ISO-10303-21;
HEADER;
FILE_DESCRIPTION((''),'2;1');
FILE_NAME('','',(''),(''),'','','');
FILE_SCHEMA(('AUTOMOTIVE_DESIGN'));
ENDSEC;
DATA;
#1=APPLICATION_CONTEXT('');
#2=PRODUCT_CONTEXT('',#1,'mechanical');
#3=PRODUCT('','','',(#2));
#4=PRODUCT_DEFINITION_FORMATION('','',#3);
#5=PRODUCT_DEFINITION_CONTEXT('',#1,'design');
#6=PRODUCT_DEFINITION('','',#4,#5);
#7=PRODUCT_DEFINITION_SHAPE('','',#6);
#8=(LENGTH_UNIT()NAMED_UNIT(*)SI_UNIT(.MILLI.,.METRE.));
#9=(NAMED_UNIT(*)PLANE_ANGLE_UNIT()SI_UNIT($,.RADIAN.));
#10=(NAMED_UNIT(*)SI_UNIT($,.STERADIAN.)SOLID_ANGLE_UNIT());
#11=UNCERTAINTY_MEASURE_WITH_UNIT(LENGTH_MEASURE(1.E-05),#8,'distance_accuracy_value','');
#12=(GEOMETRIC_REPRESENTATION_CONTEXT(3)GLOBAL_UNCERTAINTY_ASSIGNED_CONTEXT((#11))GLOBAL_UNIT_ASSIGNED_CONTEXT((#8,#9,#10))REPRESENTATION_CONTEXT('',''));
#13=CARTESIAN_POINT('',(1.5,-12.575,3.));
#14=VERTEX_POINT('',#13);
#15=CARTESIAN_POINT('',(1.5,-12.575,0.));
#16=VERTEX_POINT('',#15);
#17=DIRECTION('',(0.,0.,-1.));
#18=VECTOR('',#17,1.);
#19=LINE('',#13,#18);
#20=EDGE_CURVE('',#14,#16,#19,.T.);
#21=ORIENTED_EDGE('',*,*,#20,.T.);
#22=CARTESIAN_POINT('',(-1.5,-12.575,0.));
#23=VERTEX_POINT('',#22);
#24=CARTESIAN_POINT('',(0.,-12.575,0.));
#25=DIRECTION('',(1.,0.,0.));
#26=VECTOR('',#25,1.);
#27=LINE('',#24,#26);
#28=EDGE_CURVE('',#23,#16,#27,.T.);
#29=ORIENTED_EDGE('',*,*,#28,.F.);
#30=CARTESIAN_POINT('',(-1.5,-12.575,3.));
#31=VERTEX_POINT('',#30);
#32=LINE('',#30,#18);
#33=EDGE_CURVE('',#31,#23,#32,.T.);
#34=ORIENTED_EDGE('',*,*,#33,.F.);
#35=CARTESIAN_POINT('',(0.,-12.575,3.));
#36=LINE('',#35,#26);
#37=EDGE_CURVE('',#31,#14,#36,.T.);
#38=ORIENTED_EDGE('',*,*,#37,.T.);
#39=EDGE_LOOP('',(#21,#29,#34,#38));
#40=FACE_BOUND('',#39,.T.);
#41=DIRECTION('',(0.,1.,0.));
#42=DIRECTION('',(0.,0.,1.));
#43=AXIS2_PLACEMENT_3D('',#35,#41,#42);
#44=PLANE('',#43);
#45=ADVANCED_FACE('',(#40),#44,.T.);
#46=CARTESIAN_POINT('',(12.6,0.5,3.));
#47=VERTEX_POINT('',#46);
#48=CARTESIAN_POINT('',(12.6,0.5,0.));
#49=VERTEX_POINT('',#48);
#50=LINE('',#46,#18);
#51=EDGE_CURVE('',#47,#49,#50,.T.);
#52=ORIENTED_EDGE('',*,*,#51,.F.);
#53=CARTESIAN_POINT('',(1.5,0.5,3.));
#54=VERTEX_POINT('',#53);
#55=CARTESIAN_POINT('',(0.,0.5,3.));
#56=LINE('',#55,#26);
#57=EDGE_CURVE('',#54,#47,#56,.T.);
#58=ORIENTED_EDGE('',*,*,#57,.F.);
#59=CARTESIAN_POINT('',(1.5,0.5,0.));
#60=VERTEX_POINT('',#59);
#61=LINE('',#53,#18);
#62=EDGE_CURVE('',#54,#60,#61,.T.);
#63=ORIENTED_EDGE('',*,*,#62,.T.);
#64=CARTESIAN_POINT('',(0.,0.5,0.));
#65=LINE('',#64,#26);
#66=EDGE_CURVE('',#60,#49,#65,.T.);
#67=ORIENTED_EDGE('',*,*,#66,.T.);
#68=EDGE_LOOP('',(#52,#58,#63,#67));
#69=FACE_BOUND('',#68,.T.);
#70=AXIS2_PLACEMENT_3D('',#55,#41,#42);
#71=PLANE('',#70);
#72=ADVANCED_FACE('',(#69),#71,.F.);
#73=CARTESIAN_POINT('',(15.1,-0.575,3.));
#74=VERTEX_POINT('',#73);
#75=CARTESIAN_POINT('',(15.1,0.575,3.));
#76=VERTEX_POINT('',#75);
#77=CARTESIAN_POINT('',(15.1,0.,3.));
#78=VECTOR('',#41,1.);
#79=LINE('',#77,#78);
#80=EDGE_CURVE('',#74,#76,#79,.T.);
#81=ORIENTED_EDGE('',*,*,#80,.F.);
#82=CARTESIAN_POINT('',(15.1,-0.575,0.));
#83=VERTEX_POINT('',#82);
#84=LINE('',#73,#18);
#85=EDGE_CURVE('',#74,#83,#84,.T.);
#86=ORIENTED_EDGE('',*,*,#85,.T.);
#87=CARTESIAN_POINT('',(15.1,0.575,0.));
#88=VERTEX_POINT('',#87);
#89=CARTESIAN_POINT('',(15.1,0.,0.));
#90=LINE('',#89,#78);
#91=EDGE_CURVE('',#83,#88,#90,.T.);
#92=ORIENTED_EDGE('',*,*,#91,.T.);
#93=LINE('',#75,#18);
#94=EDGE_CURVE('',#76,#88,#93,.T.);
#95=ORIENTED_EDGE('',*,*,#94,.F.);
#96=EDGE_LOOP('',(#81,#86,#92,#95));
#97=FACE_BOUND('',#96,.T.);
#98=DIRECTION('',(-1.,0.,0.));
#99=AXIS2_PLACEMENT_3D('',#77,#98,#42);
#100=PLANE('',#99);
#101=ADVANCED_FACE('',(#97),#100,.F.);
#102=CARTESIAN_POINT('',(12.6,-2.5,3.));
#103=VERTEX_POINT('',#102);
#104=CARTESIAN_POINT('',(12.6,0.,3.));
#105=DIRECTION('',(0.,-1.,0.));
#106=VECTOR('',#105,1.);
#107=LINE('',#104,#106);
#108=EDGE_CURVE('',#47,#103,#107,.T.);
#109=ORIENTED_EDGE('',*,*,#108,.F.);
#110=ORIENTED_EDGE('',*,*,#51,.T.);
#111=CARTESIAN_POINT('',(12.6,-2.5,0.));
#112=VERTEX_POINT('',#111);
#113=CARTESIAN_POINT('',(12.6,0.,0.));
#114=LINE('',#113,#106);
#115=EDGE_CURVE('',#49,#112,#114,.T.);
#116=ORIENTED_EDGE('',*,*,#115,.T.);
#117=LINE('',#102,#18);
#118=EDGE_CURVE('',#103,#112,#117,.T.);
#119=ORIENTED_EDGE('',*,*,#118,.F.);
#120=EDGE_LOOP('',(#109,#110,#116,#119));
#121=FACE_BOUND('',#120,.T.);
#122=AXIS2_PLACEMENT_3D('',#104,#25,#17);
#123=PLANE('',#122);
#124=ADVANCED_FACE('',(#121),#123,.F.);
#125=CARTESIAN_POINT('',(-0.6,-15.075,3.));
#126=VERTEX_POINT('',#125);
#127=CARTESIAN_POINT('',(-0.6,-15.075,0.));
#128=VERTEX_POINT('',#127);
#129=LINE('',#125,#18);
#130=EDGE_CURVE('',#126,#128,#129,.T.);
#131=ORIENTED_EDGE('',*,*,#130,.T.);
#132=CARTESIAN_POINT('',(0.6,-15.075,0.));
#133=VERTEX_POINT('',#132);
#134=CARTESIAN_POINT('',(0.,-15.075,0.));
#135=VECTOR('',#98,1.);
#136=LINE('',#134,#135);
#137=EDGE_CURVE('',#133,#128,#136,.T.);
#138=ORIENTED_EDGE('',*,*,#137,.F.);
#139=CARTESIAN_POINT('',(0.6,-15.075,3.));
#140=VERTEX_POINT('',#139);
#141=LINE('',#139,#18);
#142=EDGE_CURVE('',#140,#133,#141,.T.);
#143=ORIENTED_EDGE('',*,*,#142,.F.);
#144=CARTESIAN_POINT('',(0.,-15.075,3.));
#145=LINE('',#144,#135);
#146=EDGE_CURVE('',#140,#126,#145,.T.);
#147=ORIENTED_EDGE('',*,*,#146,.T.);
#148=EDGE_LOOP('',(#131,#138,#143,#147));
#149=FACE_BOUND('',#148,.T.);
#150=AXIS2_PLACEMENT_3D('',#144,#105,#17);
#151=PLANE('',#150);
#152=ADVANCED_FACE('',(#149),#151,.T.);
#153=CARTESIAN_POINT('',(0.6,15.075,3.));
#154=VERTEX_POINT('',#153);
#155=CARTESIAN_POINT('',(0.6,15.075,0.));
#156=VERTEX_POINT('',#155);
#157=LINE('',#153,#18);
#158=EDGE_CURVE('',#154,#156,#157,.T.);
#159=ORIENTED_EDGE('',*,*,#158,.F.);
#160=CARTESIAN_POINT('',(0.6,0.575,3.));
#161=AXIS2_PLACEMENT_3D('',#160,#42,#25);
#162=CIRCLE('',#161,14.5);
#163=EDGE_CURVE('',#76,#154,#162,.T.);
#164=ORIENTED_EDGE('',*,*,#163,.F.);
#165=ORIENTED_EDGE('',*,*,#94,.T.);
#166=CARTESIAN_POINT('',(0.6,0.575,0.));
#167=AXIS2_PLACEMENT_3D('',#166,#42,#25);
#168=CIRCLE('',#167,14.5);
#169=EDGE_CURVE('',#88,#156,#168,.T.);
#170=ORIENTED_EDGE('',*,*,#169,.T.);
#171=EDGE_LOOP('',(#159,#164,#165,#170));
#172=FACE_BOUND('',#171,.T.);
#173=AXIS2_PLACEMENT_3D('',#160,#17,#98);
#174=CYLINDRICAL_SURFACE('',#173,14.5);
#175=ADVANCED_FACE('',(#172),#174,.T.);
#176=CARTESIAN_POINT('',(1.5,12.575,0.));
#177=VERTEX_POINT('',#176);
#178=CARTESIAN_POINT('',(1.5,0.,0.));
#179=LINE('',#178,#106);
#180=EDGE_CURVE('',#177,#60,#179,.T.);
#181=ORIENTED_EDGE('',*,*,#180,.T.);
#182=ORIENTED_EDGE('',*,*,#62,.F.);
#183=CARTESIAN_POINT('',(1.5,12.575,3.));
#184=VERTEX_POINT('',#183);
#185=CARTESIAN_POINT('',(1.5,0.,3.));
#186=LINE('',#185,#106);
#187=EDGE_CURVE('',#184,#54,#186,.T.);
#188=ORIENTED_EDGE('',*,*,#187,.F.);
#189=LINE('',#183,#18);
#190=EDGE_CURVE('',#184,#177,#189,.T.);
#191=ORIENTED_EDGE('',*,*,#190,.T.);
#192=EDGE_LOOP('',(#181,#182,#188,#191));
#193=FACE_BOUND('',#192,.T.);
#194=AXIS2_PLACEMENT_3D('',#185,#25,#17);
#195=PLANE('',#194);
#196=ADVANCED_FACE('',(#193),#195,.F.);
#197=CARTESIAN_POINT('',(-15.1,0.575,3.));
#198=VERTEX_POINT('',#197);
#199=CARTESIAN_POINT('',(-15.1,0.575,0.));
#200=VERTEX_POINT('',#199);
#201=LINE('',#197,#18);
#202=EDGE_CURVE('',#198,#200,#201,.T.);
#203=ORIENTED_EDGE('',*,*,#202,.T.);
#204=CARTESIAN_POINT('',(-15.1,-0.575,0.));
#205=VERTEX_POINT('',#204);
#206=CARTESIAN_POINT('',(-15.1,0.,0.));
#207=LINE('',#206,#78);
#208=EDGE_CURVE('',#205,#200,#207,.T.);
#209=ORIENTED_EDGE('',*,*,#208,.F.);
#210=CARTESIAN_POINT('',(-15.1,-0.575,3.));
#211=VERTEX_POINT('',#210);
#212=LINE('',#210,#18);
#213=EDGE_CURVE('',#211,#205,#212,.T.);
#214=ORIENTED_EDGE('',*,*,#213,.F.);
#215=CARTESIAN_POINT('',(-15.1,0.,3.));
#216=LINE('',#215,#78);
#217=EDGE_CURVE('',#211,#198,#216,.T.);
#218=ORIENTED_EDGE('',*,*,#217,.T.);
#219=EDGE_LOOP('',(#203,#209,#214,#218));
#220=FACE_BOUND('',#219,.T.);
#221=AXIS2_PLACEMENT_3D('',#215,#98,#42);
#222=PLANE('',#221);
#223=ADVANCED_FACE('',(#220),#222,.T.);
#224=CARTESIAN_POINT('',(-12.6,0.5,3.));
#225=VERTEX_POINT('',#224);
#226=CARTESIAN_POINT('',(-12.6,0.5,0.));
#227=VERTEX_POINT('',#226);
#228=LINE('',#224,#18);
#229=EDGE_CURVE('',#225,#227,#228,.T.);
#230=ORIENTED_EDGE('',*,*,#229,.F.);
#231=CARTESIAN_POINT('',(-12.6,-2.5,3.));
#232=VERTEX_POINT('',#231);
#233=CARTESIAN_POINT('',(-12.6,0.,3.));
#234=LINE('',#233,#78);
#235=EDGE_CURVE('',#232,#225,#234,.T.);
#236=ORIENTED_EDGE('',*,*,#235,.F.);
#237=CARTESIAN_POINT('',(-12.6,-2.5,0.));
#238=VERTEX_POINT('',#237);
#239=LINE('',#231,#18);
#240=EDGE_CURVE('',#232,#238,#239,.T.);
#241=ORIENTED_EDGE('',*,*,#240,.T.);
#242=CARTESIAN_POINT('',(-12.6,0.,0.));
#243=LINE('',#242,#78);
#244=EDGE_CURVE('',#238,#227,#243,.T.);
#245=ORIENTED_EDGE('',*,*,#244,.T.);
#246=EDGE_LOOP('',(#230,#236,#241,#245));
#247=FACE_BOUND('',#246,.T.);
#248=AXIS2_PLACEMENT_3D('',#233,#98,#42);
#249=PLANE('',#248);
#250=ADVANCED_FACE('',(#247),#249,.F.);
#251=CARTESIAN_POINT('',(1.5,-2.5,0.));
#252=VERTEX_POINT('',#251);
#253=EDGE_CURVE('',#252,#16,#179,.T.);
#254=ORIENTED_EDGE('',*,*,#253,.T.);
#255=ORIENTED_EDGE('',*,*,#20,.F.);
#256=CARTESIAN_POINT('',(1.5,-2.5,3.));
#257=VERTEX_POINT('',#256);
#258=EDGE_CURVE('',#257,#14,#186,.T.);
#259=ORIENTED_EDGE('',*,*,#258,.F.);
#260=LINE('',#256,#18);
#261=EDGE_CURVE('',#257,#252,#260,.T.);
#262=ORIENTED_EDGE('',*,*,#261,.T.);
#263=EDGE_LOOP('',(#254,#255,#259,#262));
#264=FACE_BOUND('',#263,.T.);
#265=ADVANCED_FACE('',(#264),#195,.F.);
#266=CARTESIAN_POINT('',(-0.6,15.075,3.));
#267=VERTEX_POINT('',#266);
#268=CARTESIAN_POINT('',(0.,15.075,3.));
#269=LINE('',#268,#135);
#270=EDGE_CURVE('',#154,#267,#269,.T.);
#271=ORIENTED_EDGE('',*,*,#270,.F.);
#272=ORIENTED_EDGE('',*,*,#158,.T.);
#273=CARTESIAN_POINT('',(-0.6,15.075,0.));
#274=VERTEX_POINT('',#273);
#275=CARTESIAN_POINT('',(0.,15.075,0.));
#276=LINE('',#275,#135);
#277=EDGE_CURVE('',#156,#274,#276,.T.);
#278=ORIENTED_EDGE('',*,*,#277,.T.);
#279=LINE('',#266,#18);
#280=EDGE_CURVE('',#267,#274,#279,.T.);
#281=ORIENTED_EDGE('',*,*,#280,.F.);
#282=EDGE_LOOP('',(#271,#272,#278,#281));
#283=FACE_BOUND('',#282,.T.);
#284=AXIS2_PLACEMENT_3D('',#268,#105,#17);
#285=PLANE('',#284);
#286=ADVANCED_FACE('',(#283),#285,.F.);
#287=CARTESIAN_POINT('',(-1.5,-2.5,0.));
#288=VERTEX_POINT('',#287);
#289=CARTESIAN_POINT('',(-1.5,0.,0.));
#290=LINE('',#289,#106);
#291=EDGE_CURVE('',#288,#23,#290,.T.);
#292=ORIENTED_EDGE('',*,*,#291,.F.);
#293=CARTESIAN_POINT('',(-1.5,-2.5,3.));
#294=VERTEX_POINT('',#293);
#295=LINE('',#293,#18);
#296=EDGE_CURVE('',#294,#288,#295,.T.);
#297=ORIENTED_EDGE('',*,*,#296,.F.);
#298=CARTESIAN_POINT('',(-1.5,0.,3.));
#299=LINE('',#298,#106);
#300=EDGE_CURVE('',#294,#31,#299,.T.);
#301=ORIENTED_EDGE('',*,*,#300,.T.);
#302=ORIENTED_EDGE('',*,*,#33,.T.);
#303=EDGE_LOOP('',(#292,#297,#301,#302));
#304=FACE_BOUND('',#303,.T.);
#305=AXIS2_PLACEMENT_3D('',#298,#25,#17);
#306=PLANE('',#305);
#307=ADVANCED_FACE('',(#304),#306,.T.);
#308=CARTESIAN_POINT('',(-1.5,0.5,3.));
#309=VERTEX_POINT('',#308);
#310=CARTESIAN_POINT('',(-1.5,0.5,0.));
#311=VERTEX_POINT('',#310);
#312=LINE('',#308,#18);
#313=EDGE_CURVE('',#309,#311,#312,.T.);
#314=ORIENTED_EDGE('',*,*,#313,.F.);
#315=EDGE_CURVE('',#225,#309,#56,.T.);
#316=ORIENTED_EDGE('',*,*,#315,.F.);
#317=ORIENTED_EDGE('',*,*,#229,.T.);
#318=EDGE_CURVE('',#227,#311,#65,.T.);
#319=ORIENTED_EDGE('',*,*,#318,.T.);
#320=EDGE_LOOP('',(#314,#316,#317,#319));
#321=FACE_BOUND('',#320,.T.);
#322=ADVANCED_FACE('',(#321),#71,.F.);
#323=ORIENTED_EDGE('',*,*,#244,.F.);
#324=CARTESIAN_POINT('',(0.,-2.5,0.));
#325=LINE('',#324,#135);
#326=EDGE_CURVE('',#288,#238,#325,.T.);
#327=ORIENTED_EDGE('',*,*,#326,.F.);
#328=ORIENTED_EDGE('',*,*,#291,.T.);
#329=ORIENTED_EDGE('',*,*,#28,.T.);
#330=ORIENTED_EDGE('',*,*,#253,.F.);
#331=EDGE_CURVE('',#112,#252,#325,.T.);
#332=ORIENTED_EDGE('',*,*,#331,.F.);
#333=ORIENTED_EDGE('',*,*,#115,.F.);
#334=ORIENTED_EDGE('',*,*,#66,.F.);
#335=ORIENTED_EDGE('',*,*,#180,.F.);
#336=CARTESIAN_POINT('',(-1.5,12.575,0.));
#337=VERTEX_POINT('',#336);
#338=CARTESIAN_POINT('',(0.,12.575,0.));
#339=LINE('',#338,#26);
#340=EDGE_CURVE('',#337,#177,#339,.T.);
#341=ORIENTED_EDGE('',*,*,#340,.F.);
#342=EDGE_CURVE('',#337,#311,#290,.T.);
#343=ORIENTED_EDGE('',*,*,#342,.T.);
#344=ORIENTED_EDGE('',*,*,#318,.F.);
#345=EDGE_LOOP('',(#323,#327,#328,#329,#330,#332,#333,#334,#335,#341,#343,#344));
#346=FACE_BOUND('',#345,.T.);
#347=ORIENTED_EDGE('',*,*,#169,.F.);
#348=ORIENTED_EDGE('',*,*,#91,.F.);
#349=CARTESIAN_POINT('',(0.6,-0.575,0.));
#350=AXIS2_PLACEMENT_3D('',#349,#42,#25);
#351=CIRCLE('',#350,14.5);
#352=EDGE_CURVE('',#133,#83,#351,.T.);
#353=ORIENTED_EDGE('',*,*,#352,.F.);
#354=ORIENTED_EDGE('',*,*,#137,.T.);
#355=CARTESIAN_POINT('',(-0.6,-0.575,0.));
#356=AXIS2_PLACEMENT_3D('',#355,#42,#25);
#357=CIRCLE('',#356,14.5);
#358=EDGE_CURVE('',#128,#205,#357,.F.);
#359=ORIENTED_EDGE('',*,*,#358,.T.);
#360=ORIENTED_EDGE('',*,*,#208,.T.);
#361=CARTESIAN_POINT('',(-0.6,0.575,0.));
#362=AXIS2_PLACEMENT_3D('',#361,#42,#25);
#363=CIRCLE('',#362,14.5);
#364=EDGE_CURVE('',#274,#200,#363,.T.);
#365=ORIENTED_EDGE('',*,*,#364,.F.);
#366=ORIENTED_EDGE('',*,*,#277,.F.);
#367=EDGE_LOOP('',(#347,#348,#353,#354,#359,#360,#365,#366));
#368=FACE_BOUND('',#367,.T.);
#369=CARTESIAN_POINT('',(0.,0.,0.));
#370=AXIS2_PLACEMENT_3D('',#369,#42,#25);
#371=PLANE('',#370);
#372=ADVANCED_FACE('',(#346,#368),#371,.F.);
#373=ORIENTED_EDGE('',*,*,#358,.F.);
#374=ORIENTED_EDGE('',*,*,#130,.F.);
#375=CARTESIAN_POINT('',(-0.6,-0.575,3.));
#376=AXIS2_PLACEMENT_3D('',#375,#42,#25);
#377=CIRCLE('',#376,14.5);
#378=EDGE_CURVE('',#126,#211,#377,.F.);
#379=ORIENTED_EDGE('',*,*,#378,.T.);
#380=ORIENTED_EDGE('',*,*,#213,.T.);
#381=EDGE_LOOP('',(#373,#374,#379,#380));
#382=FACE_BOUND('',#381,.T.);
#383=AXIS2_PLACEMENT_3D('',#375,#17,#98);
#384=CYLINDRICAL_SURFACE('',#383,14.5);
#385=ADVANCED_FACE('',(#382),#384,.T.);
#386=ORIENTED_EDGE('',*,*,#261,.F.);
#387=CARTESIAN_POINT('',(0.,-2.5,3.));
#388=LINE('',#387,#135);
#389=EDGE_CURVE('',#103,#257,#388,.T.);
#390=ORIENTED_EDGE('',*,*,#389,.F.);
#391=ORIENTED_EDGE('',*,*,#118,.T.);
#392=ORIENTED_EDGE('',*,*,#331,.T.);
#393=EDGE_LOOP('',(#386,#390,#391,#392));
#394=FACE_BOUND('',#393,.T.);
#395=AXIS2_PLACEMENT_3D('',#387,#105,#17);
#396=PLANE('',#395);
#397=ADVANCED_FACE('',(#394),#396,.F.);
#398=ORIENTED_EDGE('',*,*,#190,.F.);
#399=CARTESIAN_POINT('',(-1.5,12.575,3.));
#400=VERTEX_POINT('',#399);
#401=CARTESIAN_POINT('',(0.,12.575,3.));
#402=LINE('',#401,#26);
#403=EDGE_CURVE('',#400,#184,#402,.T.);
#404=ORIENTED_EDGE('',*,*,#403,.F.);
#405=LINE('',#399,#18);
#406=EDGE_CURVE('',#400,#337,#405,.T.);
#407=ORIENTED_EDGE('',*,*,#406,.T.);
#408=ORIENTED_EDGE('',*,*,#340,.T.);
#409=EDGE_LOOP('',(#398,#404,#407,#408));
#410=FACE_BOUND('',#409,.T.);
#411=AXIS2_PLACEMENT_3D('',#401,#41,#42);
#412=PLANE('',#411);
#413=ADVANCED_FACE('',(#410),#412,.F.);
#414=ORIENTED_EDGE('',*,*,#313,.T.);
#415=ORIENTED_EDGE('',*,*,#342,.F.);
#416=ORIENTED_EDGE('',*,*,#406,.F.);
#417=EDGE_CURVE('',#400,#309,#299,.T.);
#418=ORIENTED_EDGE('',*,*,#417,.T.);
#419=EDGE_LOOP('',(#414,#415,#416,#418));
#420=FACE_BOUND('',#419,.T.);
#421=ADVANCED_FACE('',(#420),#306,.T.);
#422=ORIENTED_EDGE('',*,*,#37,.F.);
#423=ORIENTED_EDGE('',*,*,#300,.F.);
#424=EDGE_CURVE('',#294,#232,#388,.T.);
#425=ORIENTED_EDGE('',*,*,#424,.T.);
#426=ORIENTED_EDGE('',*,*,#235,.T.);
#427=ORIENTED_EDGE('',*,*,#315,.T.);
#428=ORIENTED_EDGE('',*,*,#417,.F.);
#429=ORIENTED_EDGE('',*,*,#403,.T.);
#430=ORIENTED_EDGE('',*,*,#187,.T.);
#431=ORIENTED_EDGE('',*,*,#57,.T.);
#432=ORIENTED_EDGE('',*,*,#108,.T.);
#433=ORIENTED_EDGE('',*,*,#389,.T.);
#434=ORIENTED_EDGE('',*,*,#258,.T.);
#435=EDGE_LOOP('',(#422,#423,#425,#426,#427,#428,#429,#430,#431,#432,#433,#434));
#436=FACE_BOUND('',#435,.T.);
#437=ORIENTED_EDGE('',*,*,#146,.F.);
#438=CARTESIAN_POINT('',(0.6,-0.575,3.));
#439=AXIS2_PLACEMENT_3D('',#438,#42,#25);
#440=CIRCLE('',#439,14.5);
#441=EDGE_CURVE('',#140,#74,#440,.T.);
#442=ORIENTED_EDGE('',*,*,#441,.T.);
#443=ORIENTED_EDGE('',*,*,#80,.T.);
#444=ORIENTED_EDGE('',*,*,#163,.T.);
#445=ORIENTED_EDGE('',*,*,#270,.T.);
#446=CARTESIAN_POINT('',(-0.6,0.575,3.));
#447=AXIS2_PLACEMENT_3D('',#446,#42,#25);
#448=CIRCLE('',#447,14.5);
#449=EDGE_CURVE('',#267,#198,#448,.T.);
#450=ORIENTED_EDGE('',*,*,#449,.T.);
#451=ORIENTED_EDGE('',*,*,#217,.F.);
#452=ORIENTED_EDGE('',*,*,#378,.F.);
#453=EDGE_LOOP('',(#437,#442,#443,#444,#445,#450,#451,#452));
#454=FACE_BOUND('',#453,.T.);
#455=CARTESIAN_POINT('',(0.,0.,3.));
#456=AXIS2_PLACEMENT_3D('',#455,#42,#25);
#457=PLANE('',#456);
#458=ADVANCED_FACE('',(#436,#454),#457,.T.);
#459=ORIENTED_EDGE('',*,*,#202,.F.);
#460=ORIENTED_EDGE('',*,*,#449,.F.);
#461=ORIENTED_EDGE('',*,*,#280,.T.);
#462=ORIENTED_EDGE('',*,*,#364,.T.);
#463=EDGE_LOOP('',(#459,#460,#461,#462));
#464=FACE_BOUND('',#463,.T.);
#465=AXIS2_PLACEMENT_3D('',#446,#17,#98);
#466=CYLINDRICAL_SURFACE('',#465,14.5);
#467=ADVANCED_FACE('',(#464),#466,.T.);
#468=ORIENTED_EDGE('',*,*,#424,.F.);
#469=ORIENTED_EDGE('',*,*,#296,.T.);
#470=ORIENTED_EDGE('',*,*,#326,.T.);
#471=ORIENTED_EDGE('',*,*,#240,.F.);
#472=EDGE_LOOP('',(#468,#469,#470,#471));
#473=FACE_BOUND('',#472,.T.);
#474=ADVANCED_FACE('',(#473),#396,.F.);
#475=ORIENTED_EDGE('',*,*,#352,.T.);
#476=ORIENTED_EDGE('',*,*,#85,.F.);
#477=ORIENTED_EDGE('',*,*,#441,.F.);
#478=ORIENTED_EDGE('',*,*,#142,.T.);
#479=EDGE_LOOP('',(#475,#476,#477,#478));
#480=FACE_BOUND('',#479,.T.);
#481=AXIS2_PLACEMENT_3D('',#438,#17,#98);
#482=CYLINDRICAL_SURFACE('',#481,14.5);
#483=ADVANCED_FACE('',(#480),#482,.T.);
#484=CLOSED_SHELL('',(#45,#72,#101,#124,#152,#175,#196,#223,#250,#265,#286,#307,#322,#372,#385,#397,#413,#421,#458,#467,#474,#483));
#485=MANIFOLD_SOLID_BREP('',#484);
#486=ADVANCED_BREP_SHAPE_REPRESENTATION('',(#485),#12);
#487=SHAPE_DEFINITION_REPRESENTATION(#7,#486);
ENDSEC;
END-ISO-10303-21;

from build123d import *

# Parameters (mm, degrees)
SALIENTE_EXTRUIR1_DEPTH = 3


with BuildPart() as part:
    # Croquis1 → Saliente-Extruir1 (new body)
    with BuildSketch(Plane.XY):
        with BuildLine():
            Line((-0.6, -15.075), (0.6, -15.075))
            ThreePointArc((0.6, -15.075), (10.853048327, -10.828048327), (15.1, -0.575))
            Line((15.1, -0.575), (15.1, 0.575))
            ThreePointArc((15.1, 0.575), (10.853048327, 10.828048327), (0.6, 15.075))
            Line((0.6, 15.075), (-0.6, 15.075))
            ThreePointArc((-0.6, 15.075), (-10.853048327, 10.828048327), (-15.1, 0.575))
            Line((-15.1, 0.575), (-15.1, -0.575))
            ThreePointArc((-15.1, -0.575), (-10.853048327, -10.828048327), (-0.6, -15.075))
        make_face()
        Polygon((-12.6, -2.5), (-12.6, 0.5), (-1.5, 0.5), (-1.5, 12.575), (1.5, 12.575), (1.5, 0.5), (12.6, 0.5), (12.6, -2.5), (1.5, -2.5), (1.5, -12.575), (-1.5, -12.575), (-1.5, -2.5), align=None, mode=Mode.SUBTRACT)
    extrude(amount=SALIENTE_EXTRUIR1_DEPTH)


solid = part.part
